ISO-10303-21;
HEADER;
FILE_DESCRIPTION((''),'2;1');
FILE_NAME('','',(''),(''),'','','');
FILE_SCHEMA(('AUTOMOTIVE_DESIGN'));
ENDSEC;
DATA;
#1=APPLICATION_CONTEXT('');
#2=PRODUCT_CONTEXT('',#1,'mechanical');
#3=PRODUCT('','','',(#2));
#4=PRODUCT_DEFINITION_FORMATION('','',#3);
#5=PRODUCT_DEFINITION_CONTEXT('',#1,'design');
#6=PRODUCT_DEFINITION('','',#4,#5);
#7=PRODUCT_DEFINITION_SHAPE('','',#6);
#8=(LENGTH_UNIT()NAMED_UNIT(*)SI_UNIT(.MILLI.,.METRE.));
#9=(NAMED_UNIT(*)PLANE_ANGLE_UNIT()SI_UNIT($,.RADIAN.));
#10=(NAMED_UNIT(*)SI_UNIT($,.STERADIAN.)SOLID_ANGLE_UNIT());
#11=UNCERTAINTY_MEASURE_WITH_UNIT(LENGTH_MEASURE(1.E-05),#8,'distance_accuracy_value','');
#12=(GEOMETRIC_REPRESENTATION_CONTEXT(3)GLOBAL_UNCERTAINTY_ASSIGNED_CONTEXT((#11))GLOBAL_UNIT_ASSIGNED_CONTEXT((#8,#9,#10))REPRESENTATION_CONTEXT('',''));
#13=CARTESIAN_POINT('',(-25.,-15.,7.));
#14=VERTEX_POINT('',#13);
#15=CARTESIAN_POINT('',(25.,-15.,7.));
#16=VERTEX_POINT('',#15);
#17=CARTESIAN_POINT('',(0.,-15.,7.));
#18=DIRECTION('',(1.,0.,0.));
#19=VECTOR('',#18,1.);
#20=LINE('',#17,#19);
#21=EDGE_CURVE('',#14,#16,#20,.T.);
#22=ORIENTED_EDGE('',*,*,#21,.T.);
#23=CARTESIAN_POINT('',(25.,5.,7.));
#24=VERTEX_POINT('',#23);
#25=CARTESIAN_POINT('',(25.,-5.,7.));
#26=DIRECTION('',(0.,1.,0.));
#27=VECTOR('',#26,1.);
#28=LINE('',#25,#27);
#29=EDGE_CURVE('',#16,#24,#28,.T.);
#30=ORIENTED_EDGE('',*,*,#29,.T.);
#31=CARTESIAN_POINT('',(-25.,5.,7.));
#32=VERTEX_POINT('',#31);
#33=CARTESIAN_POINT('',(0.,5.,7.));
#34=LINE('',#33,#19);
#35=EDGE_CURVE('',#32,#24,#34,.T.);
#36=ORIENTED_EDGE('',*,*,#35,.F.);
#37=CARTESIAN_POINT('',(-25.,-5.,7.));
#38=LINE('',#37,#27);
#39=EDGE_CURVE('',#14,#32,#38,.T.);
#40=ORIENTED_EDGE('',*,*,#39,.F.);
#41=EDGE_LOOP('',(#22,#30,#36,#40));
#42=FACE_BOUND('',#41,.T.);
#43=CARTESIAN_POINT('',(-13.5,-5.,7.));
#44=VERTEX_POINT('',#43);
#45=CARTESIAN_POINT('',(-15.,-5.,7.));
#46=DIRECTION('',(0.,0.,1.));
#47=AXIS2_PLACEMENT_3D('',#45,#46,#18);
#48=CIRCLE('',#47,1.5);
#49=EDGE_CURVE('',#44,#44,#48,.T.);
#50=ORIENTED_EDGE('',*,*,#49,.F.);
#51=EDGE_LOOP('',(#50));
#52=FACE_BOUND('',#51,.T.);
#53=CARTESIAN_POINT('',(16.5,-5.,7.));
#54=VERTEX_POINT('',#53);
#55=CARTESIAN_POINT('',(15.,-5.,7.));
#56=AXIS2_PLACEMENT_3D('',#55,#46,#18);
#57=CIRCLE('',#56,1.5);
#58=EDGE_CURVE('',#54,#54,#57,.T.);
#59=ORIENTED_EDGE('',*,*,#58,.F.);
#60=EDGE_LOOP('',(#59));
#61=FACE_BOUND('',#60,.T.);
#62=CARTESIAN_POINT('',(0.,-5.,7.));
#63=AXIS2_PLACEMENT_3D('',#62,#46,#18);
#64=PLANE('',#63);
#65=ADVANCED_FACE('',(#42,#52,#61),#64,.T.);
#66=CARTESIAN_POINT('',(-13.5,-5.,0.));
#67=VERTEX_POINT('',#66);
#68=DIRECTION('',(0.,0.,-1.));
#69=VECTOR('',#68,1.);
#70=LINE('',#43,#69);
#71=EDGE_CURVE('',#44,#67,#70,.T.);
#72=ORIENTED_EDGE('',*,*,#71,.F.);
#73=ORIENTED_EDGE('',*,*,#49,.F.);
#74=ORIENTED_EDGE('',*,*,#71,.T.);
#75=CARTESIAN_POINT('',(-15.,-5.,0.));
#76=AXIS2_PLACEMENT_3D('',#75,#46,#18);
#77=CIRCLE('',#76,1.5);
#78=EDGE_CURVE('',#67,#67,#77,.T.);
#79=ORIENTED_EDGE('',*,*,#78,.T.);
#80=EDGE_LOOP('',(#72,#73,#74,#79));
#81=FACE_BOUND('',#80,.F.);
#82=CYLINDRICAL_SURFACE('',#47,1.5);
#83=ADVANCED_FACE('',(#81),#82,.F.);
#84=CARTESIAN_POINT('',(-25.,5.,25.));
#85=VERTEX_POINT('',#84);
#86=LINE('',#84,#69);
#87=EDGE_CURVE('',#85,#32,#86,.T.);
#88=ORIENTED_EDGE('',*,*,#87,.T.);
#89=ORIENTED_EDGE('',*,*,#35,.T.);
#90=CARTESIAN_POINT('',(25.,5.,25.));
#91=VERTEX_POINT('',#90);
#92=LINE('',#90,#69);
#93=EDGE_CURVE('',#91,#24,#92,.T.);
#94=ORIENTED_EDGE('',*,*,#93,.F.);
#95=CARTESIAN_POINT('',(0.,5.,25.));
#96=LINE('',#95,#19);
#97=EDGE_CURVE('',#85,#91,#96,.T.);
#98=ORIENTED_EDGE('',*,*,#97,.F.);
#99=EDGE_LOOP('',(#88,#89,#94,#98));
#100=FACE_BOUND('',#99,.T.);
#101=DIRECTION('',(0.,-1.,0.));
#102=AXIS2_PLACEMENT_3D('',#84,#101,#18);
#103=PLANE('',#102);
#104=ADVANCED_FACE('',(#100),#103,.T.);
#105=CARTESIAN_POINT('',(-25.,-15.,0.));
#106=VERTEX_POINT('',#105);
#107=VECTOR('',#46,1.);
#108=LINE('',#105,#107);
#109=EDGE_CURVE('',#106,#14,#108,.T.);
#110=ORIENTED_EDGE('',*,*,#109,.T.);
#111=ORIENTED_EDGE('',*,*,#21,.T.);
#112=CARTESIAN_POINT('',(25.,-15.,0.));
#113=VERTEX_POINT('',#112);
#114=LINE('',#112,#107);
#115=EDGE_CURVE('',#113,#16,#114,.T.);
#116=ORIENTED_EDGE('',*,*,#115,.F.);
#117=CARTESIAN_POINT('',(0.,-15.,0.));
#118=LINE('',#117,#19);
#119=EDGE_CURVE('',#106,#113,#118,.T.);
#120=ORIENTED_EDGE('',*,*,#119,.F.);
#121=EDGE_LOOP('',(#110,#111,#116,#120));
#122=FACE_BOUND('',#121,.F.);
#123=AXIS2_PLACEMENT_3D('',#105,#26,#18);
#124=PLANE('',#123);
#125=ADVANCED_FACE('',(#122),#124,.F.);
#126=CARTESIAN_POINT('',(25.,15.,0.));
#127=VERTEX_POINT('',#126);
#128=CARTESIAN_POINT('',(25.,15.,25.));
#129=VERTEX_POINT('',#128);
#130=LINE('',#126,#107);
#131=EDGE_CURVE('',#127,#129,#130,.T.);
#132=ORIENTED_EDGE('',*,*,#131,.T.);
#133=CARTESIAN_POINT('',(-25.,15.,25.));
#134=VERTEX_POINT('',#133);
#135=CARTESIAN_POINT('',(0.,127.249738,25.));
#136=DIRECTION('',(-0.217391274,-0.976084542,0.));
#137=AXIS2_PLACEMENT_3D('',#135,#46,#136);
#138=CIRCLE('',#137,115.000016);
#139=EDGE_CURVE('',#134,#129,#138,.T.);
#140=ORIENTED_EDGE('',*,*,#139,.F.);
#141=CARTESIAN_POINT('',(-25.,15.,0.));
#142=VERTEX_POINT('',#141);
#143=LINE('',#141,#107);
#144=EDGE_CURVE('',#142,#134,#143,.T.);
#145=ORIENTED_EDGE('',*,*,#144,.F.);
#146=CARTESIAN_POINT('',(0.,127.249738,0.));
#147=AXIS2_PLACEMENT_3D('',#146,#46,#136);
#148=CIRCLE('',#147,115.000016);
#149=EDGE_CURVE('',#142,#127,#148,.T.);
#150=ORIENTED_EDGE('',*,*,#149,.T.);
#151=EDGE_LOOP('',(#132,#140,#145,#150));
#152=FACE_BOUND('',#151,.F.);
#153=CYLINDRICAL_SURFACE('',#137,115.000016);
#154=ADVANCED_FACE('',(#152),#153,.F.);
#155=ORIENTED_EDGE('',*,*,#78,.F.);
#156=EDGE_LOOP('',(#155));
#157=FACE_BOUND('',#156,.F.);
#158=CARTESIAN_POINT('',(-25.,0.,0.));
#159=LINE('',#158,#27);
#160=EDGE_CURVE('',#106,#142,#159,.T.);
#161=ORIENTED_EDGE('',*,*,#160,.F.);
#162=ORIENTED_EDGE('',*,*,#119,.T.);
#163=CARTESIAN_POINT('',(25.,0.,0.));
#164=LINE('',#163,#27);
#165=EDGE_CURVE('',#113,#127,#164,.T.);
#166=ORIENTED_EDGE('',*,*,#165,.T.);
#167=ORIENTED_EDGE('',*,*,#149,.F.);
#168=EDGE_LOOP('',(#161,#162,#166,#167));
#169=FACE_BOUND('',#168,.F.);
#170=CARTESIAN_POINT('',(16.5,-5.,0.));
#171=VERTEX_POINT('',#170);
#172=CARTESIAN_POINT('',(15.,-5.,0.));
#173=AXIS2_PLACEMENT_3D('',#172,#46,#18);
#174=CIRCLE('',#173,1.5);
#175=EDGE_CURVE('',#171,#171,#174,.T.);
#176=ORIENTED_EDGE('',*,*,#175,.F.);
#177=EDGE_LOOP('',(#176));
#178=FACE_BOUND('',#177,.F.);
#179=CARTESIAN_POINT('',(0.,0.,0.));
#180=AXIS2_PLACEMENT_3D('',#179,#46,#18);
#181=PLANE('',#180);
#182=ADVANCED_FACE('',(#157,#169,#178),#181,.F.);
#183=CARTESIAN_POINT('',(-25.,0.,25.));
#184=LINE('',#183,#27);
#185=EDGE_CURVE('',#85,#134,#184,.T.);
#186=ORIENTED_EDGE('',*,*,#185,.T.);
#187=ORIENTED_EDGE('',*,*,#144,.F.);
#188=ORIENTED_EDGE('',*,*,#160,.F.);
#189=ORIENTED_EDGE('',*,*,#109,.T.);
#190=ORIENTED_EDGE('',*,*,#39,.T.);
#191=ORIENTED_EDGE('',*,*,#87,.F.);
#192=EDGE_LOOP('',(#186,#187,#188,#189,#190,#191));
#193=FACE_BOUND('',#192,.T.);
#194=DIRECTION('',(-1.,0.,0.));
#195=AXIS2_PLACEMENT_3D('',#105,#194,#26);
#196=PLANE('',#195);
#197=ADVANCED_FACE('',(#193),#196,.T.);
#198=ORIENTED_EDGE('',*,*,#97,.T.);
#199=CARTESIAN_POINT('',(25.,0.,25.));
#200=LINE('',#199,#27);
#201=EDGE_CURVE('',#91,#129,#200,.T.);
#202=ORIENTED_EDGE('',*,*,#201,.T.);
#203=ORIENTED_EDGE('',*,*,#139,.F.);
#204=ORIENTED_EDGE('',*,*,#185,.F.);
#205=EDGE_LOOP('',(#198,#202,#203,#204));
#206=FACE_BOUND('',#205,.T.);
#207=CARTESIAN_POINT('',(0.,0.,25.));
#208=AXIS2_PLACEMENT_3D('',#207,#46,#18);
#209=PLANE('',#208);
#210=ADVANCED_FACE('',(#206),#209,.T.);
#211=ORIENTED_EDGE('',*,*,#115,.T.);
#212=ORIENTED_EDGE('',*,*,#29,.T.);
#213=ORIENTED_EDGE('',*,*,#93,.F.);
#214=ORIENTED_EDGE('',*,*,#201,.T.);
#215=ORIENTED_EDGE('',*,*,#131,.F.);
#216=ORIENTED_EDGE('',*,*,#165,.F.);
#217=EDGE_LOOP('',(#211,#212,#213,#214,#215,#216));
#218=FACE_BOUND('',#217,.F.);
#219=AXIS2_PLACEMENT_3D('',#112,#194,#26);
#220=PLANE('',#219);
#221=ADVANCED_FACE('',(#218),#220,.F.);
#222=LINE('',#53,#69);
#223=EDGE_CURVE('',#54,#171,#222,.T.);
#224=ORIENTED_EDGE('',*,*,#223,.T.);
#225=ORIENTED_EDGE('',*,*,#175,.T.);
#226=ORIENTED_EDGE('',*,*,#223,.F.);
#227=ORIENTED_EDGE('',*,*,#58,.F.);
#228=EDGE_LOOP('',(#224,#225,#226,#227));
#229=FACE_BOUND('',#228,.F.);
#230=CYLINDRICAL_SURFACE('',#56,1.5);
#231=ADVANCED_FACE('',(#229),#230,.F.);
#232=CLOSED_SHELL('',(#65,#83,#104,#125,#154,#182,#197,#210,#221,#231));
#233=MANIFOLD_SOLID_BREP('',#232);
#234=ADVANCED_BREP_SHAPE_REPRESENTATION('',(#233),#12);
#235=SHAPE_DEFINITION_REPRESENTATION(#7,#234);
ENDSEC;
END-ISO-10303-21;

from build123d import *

# Parameters (mm, degrees)
F0_W     = 50
F0_H     = 30
F1_DEPTH = 25
F3_DEPTH = 25
F4_W     = 50
F4_H     = 20
F5_DEPTH = 18
F6_R     = 1.5
F7_DEPTH = 25


with BuildPart() as f1:
    # F0 (on Top) → F1 (new body)
    with BuildSketch(Plane.XY):
        Rectangle(F0_W, F0_H)
    extrude(amount=F1_DEPTH)

    # F2 (on face) → F3 (cut)
    with BuildSketch(Plane.XY.offset(25)):
        with BuildLine():
            Line((25, 15), (-25, 15))
            ThreePointArc((-25, 15), (0, 12.249722), (25, 15))
        make_face()
    extrude(amount=-F3_DEPTH, mode=Mode.SUBTRACT)

    # F4 (on face) → F5 (cut)
    with BuildSketch(Plane.XY.offset(25)):
        with Locations((0, -5)):
            Rectangle(F4_W, F4_H)
    extrude(amount=-F5_DEPTH, mode=Mode.SUBTRACT)

    # F6 (on face) → F7 (cut)
    with BuildSketch(Plane.XY.offset(7)):
        with Locations((-15, -5)):
            Circle(F6_R)
        with Locations((15, -5)):
            Circle(F6_R)
    extrude(amount=-F7_DEPTH, mode=Mode.SUBTRACT)


solid = f1.part
